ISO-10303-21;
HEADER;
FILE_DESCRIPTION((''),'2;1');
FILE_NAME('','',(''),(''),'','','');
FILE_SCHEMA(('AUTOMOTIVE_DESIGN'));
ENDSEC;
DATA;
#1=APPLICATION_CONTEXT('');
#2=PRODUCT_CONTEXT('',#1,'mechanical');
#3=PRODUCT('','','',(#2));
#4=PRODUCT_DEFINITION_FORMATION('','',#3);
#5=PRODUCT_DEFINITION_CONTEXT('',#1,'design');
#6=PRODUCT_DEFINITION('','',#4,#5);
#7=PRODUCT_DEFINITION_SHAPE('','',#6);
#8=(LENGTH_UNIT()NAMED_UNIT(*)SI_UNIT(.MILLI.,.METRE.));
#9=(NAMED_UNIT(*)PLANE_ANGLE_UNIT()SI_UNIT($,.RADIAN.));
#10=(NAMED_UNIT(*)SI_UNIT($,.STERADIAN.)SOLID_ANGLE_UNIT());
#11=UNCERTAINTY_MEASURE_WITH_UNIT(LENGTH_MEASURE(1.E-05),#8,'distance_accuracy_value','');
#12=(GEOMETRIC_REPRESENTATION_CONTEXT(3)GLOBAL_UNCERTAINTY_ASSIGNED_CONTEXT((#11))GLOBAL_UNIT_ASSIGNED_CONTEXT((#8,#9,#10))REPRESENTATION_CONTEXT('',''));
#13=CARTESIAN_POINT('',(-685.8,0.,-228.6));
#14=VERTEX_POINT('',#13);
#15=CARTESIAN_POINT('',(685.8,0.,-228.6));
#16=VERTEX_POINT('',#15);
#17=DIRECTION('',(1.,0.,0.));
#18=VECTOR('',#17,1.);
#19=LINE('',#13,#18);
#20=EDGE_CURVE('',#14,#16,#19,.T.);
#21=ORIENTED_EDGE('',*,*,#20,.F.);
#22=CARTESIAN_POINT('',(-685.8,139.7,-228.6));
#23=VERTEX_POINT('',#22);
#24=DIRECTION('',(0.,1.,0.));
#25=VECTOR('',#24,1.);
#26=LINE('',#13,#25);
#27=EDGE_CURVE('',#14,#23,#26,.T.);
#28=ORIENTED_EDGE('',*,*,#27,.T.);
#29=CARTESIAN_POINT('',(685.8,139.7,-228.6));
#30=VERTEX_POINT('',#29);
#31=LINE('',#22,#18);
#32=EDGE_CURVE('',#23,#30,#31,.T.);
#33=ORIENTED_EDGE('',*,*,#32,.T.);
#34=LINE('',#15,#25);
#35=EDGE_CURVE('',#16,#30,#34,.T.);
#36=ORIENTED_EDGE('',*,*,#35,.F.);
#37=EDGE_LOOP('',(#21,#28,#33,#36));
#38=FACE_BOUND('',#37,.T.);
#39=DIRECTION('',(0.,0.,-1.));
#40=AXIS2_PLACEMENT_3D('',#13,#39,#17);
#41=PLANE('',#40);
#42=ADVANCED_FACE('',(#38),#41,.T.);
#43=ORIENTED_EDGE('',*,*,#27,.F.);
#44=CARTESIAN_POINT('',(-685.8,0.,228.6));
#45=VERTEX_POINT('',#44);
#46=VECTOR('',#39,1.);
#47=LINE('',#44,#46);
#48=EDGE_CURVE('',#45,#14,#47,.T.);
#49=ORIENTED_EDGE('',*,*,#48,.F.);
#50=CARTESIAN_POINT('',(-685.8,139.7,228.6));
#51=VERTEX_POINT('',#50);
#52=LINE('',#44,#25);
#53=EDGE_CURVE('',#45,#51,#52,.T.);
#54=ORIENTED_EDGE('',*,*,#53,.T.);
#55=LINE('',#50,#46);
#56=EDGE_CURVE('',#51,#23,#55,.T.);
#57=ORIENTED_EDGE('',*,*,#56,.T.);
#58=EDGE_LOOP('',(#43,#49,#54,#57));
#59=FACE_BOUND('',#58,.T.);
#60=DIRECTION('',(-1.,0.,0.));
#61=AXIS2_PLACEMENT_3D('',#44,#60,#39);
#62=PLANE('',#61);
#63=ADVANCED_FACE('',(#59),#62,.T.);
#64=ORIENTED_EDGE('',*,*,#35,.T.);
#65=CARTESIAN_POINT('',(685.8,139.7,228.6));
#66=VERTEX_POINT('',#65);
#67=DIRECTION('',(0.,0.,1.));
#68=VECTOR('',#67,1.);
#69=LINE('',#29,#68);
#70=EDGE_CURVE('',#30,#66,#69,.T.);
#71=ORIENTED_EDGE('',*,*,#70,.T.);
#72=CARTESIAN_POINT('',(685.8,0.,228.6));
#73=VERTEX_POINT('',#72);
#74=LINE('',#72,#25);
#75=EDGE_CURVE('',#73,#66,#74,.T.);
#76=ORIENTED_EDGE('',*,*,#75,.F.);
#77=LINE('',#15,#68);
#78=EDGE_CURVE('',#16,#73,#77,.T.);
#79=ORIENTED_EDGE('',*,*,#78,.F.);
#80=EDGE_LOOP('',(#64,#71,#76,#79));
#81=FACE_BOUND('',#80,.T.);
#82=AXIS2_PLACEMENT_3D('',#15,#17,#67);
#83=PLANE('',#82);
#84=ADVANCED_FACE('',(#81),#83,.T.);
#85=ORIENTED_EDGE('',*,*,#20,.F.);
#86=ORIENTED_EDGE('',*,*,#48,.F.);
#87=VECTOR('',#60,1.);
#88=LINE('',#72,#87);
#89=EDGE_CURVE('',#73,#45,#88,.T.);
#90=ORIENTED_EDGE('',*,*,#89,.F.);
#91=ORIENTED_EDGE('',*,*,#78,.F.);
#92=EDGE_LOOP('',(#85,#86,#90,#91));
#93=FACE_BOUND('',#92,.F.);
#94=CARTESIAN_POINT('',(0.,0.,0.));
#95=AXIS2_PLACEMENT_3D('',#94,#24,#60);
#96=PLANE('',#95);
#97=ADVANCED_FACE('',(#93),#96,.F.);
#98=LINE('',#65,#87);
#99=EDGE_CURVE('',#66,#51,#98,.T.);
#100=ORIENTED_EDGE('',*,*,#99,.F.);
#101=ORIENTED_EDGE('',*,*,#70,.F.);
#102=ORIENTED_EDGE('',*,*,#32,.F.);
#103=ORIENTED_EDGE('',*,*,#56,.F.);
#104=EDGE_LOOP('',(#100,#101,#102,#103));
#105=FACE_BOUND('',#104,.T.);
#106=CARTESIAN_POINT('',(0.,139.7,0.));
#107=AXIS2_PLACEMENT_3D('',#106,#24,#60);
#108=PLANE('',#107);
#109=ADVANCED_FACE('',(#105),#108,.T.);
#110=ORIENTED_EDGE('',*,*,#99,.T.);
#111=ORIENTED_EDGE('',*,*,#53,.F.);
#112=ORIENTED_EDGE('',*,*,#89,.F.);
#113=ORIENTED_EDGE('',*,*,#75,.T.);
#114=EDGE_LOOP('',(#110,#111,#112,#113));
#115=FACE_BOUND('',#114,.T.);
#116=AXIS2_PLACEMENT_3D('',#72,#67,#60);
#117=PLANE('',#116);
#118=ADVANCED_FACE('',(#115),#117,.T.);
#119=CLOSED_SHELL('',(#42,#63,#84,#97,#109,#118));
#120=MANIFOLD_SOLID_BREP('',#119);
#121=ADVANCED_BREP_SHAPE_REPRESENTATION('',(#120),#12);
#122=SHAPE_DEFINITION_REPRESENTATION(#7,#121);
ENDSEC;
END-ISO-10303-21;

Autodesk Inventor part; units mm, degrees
ref_plane "YZ Plane" through (0, 0, 0) normal (1, 0, 0) x (0, 1, 0)
ref_plane "XZ Plane" through (0, 0, 0) normal (0, 1, 0) x (-1, 0, 0)
ref_plane "XY Plane" through (0, 0, 0) normal (0, 0, 1) x (1, 0, 0)
sketch "Sketch1" plane through (0, 0, 0) normal (0, 1, 0) x (-1, 0, 0)
  line L0 (685.8, -228.6) -> (-685.8, -228.6)
  line L1 (-685.8, -228.6) -> (-685.8, 228.6)
  line L2 (-685.8, 228.6) -> (685.8, 228.6)
  line L3 (685.8, 228.6) -> (685.8, -228.6)
  line L4 (685.8, -228.6) -> (-685.8, 228.6) construction
  line L5 (-685.8, -228.6) -> (685.8, 228.6) construction
  point P0 (0, 0)
  dimension "d0" = 1371.6
  dimension "d1" = 457.2
extrude "Extrusion1" add sketch "Sketch1" along normal blind 139.7
properties part number "Plinth steps ST-5" material "Limestone"
